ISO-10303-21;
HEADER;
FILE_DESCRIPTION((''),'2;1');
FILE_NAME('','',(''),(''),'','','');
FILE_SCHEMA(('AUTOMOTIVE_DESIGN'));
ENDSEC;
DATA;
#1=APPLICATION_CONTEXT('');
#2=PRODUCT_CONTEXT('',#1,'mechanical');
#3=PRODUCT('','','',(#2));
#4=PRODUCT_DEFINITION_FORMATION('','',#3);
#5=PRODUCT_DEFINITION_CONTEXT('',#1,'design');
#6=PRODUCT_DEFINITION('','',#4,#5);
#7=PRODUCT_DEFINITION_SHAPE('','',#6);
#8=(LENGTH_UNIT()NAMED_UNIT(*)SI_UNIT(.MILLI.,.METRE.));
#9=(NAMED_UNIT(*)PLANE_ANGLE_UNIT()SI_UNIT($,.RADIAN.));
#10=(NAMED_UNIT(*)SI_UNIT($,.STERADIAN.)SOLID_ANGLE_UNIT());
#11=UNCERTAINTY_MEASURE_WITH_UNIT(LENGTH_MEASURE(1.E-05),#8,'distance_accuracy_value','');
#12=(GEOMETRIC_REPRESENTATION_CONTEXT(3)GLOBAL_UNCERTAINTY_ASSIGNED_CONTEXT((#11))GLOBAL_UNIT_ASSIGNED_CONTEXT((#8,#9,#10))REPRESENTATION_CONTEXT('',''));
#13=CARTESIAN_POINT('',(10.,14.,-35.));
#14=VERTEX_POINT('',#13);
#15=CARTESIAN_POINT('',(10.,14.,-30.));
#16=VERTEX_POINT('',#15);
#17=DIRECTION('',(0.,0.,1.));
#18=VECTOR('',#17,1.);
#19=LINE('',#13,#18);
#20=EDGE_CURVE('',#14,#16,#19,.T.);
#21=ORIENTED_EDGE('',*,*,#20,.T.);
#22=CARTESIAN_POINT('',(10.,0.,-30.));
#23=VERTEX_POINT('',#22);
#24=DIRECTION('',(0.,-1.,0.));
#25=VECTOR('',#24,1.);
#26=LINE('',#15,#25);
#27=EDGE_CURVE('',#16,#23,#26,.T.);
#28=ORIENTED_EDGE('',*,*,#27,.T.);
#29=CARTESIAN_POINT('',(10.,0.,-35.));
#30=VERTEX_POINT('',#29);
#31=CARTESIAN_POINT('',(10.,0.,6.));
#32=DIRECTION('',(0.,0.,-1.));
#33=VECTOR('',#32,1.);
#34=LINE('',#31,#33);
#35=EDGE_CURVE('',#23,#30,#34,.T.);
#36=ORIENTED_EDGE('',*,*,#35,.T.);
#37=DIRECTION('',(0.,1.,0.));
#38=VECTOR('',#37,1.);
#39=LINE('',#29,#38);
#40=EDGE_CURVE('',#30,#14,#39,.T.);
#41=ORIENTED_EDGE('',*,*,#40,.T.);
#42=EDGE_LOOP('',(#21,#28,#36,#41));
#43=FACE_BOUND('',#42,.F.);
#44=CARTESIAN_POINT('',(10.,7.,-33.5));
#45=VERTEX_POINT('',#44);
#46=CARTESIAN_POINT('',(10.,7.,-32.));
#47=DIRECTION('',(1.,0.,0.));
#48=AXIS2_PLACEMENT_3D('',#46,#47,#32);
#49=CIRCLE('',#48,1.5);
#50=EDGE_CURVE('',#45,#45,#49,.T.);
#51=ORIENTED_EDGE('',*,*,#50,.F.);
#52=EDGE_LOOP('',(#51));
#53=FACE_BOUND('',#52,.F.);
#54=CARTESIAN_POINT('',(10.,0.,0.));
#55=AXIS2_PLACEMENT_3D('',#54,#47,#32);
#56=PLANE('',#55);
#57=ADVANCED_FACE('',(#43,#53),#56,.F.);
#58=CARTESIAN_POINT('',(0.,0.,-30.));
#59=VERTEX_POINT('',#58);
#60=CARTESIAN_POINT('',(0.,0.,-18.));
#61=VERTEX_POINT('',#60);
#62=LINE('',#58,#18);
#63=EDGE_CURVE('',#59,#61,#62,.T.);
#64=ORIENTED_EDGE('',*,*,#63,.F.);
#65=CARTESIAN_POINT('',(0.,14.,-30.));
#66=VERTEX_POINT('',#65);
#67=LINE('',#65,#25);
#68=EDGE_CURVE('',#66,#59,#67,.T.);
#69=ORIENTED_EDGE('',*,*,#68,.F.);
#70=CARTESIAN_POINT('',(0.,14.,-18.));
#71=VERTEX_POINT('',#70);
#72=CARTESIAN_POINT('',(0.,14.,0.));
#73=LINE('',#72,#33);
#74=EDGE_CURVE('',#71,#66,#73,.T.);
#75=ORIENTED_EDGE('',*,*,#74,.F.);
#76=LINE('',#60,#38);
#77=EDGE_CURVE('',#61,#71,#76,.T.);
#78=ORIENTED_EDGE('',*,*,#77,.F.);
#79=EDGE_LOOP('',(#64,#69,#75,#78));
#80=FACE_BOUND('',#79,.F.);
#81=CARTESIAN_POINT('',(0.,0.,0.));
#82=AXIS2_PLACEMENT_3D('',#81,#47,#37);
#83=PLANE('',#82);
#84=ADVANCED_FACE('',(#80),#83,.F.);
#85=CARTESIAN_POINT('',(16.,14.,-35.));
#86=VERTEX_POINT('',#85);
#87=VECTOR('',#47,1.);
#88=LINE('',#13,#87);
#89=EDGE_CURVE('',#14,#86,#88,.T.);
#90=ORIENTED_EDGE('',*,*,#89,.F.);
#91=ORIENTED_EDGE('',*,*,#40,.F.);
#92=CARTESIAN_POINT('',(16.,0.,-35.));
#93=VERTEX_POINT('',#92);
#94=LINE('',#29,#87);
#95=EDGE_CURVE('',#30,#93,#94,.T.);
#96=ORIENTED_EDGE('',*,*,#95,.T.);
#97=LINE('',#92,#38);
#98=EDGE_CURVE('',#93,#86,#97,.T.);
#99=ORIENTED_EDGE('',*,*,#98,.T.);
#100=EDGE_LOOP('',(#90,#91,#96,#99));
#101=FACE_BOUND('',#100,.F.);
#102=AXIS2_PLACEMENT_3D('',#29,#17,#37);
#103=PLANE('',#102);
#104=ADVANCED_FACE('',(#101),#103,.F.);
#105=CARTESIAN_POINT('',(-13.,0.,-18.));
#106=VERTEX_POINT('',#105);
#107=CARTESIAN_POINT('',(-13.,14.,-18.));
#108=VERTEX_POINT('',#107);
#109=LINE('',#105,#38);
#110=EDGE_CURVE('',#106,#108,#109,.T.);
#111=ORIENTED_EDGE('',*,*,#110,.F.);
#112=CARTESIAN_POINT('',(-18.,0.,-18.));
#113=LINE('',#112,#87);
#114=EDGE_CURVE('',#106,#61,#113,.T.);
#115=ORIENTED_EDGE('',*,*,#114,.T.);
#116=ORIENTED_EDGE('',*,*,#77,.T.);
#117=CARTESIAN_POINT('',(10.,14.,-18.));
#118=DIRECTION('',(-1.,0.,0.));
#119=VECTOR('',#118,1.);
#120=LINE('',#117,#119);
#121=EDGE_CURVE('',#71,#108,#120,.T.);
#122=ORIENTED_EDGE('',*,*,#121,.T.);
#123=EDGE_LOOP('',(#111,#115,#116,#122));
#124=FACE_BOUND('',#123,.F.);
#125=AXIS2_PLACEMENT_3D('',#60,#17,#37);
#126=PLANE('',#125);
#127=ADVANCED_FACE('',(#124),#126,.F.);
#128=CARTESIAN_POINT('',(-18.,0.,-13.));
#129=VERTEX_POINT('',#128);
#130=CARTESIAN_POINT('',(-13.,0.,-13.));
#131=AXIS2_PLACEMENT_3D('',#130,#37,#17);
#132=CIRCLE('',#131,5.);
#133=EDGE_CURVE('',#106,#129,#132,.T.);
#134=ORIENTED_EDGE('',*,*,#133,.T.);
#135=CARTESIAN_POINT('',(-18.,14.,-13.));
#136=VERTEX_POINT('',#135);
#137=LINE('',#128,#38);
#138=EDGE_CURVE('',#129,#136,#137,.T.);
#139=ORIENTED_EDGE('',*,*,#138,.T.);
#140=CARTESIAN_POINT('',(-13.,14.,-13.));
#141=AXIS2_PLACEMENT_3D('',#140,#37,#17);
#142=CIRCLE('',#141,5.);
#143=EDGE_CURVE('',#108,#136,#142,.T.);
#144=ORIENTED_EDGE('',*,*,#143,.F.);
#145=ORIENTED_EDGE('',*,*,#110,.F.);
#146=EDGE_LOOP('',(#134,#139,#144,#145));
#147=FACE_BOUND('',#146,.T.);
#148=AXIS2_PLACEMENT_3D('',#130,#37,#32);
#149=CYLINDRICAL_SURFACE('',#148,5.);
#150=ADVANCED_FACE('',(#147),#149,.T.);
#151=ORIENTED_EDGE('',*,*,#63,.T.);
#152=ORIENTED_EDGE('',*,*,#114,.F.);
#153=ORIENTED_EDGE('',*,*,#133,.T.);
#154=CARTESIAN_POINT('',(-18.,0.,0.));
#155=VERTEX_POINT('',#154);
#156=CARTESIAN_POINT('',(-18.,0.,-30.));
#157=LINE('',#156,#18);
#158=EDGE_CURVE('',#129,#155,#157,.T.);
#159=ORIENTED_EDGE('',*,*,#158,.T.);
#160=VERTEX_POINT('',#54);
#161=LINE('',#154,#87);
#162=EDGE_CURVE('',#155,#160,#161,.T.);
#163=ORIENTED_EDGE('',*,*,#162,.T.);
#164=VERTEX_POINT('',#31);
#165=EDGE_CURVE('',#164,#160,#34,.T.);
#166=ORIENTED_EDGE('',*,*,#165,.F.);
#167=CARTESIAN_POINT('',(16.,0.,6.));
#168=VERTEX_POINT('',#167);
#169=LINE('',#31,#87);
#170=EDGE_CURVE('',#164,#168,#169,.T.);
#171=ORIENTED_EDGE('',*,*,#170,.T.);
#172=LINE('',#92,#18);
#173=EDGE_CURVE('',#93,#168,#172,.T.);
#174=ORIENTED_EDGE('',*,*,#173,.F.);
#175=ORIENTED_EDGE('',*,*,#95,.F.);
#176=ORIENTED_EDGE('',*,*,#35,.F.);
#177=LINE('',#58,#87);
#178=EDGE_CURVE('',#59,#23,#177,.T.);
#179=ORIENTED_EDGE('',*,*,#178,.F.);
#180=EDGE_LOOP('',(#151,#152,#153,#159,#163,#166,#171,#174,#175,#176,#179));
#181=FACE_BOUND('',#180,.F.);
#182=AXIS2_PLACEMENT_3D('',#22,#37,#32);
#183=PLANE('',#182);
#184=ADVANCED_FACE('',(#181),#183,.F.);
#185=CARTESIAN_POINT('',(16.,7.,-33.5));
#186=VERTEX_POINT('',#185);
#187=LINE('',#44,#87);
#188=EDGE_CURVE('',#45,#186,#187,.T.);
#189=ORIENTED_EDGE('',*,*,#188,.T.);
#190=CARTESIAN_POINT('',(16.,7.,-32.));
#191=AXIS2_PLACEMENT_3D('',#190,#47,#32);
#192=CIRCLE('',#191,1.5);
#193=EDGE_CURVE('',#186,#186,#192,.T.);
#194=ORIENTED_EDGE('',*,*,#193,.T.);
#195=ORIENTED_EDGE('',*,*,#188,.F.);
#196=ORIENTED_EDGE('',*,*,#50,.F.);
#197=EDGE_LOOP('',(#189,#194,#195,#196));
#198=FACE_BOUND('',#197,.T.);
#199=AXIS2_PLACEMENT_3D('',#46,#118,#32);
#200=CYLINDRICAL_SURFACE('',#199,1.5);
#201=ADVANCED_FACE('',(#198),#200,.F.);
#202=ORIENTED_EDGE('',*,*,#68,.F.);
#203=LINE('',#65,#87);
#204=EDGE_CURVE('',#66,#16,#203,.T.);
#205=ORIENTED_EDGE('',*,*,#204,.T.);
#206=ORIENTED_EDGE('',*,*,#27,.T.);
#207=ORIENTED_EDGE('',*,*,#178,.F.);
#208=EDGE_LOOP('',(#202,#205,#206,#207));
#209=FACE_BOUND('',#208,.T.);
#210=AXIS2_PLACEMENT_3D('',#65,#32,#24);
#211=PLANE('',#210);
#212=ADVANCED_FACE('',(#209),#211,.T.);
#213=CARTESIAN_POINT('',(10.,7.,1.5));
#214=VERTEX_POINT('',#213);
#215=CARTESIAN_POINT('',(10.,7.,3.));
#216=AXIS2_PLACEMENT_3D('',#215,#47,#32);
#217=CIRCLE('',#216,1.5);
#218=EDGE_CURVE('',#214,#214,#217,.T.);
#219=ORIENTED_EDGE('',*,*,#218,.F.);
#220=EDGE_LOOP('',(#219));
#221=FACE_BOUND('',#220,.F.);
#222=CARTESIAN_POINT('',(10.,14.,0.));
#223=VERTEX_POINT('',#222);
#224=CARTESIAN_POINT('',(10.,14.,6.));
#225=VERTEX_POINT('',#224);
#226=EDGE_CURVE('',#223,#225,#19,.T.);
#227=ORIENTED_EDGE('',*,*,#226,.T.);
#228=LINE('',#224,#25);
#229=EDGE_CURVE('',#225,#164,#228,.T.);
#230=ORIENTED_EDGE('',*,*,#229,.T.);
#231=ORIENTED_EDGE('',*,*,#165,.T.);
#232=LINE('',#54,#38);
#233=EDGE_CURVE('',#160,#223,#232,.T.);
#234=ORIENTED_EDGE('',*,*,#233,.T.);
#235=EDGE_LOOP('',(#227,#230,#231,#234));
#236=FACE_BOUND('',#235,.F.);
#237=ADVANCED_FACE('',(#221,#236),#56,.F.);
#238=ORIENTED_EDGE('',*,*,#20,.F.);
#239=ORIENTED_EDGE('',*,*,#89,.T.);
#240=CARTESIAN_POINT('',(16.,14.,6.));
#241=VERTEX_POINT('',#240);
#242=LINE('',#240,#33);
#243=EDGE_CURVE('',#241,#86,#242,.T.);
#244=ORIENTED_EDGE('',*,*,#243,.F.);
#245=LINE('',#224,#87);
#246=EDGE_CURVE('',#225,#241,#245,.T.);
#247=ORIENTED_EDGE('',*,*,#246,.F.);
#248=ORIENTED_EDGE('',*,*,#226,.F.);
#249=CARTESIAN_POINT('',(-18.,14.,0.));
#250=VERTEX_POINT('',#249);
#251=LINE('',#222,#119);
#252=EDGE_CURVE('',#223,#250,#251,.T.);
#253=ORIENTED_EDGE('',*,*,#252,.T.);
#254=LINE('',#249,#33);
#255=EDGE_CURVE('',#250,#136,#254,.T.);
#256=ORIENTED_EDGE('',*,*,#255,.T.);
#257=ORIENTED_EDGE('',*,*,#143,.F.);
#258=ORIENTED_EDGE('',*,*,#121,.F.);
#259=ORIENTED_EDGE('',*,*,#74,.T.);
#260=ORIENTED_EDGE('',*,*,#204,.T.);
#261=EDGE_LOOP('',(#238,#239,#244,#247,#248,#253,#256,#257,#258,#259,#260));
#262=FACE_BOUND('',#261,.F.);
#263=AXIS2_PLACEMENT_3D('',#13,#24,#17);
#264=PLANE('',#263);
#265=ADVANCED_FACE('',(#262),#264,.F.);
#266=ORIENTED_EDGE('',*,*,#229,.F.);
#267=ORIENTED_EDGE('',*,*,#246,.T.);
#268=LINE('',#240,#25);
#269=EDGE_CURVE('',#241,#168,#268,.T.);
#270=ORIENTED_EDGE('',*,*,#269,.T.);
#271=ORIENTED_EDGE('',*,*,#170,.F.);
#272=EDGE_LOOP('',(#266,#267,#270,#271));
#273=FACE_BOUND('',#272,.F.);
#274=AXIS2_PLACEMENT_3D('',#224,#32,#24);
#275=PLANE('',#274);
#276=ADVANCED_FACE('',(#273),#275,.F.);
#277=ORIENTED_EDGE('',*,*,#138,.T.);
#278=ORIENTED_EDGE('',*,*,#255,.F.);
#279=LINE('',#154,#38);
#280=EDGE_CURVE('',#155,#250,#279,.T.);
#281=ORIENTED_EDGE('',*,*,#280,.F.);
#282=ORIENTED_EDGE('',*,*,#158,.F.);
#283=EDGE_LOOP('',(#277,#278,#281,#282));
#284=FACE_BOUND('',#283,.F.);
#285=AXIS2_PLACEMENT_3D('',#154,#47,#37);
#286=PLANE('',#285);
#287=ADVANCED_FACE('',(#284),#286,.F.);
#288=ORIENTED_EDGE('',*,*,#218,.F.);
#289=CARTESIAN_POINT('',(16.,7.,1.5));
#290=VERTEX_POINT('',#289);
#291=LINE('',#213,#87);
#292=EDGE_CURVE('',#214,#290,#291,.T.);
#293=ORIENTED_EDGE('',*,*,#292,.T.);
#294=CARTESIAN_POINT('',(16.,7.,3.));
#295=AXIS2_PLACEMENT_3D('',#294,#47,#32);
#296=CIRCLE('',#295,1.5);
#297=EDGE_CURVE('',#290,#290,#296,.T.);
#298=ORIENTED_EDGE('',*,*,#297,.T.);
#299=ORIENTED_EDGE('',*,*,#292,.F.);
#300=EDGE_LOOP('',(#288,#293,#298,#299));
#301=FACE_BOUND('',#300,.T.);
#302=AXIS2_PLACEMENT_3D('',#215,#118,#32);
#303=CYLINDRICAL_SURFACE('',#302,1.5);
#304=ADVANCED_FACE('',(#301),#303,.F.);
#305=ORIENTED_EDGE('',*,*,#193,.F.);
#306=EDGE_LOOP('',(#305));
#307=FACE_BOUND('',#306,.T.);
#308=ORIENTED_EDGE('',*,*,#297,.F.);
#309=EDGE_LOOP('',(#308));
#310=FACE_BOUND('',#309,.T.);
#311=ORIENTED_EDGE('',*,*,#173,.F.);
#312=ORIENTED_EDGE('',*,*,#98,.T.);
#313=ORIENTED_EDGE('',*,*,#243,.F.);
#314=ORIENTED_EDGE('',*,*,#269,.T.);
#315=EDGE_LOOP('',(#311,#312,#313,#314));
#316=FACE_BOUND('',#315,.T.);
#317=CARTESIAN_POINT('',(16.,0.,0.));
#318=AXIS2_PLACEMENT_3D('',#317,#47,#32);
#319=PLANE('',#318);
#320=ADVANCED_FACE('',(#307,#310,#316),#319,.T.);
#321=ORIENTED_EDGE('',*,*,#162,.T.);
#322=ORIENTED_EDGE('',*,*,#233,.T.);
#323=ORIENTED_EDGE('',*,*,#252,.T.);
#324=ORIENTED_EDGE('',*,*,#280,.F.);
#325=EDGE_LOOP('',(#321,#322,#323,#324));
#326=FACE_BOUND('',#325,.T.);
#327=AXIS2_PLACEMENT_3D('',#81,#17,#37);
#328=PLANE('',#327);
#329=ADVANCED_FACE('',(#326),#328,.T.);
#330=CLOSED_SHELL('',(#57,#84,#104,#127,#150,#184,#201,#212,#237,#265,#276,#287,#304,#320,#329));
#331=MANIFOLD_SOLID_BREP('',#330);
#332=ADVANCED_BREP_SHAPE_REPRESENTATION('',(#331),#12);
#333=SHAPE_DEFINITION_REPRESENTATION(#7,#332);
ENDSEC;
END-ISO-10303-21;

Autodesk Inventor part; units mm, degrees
ref_plane "YZ Plane" through (0, 0, 0) normal (1, 0, 0) x (0, 1, 0)
ref_plane "XZ Plane" through (0, 0, 0) normal (0, 1, 0) x (-1, 0, 0)
ref_plane "XY Plane" through (0, 0, 0) normal (0, 0, 1) x (1, 0, 0)
sketch "Sketch1" plane through (0, 0, 0) normal (1, 0, 0) x (0, 1, 0)
  line L0 (0, 0) -> (14, 0)
  line L1 (14, 0) -> (14, -30)
  line L2 (14, -30) -> (0, -30)
  line L3 (0, -30) -> (0, 0)
  line L4 (14, -30) -> (0, -30)
  line L5 (0, -30) -> (0, -30)
  line L6 (0, -30) -> (14, -30)
  line L7 (14, -30) -> (14, -30)
  line L8 (0, 0) -> (0, -18)
  line L9 (0, -18) -> (14, -18)
  line L10 (14, -18) -> (14, 0)
  point P0 (14, -18)
  dimension "d12" = 14
  dimension "d13" = 30
  dimension "d14" = 12
  dimension "d15" = 0
extrude "Extrusion6" add sketch "Sketch1" along normal blind 10 contours L9 L1 L2 L3
extrude "Extrusion7" add sketch "Sketch1" along normal blind 10 and the other way blind 18 contours L0 L1 L9 L3
fillet "Fillet2" radius 5 1 edges at (-18, 7, -18)
sketch "Sketch7" plane through (10, 0, 0) normal (1, 0, 0) x (0, 0, -1)
  line L0 (35, 14) -> (-6, 14)
  line L1 (-6, 14) -> (-6, 0)
  line L2 (-6, 0) -> (35, 0)
  line L3 (35, 0) -> (35, 14)
  line L4 (30, 0) -> (30, 14) projected
  circle A0 centre (32, 7) radius 1.5
  circle A1 centre (-3, 7) radius 1.5
  point P0 (0, 0)
  dimension "d32" = 41
  dimension "d33" = 5
  dimension "d34" = 14
  dimension "d35" = 3
  dimension "d36" = 3
  dimension "d37" = 3
  dimension "d38" = 35
extrude "Extrusion9" add sketch "Sketch7" along normal blind 6
properties part number "_3DPrint"
